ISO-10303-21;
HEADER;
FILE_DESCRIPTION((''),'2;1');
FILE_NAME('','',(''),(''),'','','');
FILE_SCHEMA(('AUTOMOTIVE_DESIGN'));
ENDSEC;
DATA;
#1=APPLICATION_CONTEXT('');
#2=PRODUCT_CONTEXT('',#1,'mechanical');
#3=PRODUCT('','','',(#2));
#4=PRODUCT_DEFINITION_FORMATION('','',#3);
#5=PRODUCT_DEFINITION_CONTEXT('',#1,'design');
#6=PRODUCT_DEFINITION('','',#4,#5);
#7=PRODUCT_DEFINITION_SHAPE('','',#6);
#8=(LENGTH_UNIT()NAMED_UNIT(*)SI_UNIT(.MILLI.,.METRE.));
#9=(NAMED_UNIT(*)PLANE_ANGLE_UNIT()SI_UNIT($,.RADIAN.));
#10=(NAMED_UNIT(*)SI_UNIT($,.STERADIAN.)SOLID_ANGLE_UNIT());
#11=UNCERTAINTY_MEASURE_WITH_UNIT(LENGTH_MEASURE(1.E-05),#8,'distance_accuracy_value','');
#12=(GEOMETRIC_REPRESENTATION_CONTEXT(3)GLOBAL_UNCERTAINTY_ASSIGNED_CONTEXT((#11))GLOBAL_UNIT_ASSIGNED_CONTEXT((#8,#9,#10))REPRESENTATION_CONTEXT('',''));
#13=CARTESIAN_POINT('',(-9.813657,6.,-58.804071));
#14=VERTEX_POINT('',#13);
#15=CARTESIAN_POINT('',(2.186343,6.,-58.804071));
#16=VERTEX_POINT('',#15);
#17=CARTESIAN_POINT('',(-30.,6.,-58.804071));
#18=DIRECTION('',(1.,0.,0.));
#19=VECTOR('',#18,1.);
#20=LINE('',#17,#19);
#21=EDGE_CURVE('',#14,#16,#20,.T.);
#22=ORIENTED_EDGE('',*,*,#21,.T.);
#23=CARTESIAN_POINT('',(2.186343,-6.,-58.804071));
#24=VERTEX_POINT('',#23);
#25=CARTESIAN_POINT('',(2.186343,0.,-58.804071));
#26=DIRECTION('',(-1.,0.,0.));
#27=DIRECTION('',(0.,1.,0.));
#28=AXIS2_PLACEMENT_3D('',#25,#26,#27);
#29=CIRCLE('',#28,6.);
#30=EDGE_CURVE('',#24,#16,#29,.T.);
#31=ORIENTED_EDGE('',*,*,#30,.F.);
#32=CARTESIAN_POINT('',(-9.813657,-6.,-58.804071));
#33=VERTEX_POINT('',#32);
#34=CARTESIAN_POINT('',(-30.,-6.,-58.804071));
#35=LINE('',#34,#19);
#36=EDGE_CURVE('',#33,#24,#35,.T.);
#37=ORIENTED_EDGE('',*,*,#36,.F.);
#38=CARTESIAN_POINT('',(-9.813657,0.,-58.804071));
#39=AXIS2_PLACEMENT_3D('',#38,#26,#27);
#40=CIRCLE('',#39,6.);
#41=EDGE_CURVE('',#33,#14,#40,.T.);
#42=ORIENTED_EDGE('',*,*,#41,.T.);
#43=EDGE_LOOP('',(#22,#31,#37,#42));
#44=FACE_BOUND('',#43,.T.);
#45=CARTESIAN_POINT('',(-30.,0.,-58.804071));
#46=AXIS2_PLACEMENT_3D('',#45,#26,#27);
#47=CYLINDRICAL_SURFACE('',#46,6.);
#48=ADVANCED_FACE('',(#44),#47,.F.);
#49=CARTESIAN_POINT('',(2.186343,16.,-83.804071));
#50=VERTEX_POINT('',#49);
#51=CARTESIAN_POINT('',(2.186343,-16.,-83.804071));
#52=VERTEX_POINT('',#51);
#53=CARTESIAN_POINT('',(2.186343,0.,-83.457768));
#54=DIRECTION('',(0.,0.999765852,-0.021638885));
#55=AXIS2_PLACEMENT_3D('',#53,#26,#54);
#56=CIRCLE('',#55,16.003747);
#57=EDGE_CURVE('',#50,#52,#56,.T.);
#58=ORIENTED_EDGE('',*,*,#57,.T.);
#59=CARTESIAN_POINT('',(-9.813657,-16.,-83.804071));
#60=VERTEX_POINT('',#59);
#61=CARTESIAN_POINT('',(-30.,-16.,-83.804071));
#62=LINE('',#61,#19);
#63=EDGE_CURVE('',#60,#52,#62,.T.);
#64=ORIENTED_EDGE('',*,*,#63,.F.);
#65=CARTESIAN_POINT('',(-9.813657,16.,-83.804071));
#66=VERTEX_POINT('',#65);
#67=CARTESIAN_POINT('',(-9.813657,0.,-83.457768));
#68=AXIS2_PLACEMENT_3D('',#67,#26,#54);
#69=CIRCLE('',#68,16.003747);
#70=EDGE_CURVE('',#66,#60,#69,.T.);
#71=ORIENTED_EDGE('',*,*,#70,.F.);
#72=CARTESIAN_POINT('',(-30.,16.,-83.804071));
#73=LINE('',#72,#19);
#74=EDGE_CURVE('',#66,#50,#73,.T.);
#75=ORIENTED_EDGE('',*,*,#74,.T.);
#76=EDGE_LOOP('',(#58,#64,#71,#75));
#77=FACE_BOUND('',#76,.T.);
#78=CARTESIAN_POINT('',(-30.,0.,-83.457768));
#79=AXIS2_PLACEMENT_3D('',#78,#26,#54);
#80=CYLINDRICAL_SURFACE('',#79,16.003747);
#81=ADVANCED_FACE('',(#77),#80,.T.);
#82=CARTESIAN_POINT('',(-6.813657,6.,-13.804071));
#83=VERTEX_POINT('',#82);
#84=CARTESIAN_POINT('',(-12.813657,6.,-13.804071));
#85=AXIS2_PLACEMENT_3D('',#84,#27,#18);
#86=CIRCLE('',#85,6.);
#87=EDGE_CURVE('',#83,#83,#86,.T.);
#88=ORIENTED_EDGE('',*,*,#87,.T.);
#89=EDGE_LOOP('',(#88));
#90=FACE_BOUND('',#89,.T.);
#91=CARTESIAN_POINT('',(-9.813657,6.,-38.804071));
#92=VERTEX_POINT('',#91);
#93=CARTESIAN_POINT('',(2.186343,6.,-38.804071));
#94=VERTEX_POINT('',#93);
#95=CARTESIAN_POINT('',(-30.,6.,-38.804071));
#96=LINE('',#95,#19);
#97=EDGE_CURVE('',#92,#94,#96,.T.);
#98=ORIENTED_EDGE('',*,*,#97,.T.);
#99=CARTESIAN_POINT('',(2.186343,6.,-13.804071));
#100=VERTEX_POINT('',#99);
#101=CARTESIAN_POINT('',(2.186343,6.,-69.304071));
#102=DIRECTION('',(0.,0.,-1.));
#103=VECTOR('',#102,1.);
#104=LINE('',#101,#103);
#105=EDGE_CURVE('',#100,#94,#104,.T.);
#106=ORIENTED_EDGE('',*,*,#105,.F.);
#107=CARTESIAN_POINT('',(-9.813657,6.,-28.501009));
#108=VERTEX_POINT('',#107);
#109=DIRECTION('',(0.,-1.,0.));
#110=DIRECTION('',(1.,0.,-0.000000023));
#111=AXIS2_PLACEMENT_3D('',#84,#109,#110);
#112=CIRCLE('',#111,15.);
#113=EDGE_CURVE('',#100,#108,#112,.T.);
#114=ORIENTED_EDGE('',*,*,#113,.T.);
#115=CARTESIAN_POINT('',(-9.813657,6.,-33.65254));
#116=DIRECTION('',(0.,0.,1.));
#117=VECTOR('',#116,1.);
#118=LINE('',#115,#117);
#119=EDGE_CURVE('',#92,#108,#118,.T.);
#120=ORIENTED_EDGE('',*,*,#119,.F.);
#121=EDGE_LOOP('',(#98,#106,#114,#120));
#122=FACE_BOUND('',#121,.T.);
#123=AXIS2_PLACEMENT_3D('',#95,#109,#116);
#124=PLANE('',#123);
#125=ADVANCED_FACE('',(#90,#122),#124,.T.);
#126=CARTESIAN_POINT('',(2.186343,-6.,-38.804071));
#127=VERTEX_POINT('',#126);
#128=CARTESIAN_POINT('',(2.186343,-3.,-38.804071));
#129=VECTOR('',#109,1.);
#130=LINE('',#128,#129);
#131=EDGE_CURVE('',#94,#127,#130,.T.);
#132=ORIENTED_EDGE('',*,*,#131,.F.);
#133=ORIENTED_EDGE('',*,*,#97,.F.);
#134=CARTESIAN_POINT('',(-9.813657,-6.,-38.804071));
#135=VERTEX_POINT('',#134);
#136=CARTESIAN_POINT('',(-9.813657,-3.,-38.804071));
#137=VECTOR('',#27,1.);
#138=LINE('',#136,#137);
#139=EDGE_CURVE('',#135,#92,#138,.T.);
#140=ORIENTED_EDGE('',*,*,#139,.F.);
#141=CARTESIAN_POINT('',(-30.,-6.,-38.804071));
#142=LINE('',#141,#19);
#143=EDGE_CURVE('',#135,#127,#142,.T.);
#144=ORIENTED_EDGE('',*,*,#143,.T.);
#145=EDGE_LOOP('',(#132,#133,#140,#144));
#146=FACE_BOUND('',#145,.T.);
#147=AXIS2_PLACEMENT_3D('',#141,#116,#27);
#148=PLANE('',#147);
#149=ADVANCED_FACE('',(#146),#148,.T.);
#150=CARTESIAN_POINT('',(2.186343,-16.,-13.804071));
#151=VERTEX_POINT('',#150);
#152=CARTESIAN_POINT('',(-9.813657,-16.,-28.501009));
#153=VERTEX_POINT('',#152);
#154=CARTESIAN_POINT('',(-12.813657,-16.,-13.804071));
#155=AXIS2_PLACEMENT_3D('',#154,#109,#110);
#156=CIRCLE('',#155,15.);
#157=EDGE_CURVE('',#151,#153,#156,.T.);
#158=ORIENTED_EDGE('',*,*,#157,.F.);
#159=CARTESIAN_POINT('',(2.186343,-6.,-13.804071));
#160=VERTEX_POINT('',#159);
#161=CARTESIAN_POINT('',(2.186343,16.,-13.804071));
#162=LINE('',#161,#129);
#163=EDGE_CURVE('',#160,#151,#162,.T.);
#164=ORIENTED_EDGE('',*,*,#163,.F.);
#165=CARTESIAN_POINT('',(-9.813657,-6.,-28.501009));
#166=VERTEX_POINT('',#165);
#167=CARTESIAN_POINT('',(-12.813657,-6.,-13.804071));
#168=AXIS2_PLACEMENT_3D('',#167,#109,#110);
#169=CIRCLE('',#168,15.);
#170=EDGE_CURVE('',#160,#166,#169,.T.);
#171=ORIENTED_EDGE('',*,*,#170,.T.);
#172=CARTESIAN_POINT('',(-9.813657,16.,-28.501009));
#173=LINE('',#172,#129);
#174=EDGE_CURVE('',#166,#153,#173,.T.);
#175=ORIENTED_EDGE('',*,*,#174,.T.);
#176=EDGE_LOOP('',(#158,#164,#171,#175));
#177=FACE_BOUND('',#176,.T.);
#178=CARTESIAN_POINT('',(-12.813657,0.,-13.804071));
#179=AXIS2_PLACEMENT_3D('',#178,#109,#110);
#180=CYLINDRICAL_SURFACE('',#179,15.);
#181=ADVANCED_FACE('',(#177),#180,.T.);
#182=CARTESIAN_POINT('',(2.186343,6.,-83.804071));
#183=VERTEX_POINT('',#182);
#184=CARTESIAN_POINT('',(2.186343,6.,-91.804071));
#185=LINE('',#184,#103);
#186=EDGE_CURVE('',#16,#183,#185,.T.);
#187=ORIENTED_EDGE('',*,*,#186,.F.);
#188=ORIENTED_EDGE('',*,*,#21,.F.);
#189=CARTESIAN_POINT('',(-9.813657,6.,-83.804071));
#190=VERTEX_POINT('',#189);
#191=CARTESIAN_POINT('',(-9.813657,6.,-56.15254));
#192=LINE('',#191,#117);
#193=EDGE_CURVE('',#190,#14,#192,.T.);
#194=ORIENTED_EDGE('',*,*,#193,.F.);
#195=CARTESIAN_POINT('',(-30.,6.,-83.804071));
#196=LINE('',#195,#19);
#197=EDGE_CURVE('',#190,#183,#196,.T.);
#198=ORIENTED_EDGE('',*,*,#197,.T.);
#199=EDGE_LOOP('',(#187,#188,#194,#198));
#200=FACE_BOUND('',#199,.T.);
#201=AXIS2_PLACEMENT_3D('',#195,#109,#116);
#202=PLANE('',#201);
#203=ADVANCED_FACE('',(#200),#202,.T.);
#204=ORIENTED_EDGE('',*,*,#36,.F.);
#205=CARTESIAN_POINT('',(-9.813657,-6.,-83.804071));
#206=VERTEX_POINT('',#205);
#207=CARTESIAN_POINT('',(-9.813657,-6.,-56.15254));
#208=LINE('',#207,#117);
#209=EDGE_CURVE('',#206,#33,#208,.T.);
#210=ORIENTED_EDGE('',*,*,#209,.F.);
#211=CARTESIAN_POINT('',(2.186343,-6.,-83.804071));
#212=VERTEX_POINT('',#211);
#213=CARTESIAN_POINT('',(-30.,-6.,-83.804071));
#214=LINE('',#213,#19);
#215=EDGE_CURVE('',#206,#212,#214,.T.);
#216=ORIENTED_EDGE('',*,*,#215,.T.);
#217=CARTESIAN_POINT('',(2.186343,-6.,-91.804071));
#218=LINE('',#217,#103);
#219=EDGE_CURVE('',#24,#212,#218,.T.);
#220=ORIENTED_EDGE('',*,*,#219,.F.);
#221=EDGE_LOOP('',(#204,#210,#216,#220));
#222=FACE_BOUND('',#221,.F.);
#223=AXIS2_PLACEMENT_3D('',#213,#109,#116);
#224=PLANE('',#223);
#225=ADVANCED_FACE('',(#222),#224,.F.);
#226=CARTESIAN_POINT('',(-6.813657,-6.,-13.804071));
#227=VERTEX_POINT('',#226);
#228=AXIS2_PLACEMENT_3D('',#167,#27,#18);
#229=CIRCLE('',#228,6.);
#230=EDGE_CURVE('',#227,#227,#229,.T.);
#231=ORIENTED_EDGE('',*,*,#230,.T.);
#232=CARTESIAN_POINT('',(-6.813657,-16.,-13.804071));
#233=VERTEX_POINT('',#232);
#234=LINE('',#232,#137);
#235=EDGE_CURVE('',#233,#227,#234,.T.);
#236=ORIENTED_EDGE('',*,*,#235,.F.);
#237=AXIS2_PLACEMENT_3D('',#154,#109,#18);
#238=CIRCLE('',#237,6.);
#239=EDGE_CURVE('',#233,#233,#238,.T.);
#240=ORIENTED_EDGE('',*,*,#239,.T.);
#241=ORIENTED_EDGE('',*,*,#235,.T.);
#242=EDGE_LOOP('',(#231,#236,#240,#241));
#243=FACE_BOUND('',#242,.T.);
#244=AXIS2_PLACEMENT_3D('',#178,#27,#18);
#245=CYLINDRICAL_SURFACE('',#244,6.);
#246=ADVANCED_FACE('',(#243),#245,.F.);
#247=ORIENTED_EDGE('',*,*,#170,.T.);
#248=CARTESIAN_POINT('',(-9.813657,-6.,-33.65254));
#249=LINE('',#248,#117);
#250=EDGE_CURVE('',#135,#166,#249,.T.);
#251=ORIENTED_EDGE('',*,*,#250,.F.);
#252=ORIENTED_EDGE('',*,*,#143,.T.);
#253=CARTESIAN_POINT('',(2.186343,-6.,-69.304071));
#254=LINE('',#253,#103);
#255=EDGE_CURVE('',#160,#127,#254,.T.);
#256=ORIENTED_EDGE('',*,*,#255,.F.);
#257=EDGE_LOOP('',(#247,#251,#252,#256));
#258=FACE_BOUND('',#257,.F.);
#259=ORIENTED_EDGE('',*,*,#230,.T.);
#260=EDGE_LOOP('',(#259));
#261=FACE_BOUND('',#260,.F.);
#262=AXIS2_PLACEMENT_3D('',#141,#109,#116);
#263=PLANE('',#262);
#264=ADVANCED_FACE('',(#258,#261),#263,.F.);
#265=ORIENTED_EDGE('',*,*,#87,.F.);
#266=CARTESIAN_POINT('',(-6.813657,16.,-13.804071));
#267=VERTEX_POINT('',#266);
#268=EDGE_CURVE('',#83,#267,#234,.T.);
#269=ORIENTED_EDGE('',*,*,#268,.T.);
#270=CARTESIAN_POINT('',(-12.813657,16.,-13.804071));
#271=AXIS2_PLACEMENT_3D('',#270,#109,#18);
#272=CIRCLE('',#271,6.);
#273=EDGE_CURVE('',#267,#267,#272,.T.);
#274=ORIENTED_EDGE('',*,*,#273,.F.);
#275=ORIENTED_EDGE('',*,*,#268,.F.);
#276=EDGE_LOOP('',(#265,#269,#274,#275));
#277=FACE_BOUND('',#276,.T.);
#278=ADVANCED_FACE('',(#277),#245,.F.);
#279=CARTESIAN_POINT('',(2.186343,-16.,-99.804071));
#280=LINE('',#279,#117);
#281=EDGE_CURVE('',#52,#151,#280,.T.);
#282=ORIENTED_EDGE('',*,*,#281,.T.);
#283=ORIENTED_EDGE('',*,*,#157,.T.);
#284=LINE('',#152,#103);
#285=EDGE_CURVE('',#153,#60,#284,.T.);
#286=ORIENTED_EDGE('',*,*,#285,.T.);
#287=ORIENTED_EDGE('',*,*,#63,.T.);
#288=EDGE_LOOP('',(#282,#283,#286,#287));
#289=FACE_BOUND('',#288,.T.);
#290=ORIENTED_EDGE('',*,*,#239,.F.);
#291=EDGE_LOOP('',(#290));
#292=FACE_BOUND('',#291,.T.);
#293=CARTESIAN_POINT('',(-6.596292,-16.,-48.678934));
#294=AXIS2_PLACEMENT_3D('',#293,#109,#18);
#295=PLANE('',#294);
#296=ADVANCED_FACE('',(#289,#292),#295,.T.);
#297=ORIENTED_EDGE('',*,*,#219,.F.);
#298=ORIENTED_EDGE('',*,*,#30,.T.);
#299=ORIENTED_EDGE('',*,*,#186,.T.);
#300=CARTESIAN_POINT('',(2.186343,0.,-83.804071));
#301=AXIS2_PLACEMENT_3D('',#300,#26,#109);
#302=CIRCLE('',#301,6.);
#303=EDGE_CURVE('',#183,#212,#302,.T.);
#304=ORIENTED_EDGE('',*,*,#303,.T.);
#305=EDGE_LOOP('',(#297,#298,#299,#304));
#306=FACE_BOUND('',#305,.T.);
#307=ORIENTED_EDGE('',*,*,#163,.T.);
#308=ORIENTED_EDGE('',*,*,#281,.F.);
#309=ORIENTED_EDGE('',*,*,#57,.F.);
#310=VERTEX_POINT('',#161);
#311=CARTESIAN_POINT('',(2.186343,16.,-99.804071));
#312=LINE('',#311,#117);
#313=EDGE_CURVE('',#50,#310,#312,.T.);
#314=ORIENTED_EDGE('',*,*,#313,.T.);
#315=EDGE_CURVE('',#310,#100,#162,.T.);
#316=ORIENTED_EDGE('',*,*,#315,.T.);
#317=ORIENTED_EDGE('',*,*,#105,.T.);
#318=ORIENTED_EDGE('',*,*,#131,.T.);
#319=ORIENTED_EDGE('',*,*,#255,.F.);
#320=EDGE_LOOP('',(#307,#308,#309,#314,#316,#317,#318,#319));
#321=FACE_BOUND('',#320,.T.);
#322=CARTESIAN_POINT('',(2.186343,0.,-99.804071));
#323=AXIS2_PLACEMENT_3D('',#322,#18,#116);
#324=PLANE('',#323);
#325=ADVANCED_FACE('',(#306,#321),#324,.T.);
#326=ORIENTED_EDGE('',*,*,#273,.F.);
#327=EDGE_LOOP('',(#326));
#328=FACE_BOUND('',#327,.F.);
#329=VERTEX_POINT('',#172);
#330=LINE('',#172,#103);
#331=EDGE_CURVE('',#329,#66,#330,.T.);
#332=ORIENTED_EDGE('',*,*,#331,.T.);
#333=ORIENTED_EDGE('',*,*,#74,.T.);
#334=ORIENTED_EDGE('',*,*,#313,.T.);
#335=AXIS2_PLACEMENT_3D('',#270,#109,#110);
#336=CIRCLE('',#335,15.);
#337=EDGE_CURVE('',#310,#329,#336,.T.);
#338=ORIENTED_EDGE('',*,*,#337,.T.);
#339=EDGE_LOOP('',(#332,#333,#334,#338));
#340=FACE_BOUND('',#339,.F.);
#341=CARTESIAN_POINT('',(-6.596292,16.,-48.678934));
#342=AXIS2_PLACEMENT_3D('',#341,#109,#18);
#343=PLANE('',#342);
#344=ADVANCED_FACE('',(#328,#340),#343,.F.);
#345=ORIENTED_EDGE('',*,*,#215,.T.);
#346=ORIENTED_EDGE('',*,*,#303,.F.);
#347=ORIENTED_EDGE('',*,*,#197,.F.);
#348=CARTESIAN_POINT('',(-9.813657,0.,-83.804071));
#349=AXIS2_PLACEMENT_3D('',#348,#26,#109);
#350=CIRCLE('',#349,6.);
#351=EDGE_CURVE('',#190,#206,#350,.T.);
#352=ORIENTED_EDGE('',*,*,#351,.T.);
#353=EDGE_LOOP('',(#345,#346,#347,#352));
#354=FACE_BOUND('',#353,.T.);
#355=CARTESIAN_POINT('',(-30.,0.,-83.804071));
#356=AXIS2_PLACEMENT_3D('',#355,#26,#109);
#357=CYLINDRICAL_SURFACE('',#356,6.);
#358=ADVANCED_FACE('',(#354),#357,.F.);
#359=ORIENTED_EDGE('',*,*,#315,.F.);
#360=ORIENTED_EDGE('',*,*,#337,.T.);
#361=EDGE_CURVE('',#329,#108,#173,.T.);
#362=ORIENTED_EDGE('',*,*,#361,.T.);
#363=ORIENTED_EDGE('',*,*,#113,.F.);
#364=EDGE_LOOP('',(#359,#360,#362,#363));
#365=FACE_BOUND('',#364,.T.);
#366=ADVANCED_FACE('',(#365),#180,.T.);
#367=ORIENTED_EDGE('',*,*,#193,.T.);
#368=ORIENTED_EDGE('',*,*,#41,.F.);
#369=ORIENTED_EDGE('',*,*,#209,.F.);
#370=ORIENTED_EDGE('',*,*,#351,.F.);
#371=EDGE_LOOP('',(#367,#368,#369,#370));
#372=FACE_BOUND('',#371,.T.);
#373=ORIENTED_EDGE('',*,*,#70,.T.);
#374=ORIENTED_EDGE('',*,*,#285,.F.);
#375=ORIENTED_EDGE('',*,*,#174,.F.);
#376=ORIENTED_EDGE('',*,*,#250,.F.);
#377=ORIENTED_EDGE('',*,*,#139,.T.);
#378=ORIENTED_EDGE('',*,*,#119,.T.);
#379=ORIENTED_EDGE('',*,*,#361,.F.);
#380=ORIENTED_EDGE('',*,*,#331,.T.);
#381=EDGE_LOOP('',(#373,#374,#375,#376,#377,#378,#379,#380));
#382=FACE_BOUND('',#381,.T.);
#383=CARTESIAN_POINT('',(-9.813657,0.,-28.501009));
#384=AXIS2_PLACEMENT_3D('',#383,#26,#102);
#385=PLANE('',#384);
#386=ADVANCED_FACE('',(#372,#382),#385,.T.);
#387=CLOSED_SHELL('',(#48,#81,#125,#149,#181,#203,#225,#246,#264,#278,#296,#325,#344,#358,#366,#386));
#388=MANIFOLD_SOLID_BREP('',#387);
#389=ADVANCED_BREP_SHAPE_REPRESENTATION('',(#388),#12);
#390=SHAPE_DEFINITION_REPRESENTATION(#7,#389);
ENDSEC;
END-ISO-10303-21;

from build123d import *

# Parameters (mm, degrees)
F0_R     = 6
F1_DEPTH = 16
F3_W     = 12
F3_H     = 25
F3_H_2   = 40
F4_DEPTH = 32.187343


with BuildPart() as f1:
    # F0 (on Front) → F1 (new body, symmetric)
    with BuildSketch(Plane.XZ):
        with BuildLine():
            Line((2.186343, -99.804071), (2.186343, -13.804071))
            ThreePointArc((2.186343, -13.804071), (-24.432607, -4.317238), (-9.813657, -28.501009))
            Line((-9.813657, -28.501009), (-9.813657, -99.804071))
            Line((-9.813657, -99.804071), (2.186343, -99.804071))
        make_face()
        with Locations((-12.813657, -13.804071)):
            Circle(F0_R, mode=Mode.SUBTRACT)
    extrude(amount=F1_DEPTH, both=True)

    # F3 (on offset) → F4 (cut, through all)
    with BuildSketch(Plane.YZ.offset(-30)):
        with BuildLine():
            ThreePointArc((16, -83.804071), (0, -99.461515), (-16, -83.804071))
            Line((-16, -83.804071), (-16, -99.804071))
            Line((-16, -99.804071), (16, -99.804071))
            Line((16, -99.804071), (16, -83.804071))
        make_face()
        with BuildLine():
            Line((-6, -58.804071), (6, -58.804071))
            ThreePointArc((6, -58.804071), (0, -52.804071), (-6, -58.804071))
        make_face()
        with BuildLine():
            ThreePointArc((-6, -83.804071), (0, -89.804071), (6, -83.804071))
            Line((6, -83.804071), (-6, -83.804071))
        make_face()
        with Locations((0, -71.304071)):
            Rectangle(F3_W, F3_H)
        with Locations((0, -18.804071)):
            Rectangle(F3_W, F3_H_2)
    extrude(amount=F4_DEPTH, mode=Mode.SUBTRACT)


solid = f1.part
